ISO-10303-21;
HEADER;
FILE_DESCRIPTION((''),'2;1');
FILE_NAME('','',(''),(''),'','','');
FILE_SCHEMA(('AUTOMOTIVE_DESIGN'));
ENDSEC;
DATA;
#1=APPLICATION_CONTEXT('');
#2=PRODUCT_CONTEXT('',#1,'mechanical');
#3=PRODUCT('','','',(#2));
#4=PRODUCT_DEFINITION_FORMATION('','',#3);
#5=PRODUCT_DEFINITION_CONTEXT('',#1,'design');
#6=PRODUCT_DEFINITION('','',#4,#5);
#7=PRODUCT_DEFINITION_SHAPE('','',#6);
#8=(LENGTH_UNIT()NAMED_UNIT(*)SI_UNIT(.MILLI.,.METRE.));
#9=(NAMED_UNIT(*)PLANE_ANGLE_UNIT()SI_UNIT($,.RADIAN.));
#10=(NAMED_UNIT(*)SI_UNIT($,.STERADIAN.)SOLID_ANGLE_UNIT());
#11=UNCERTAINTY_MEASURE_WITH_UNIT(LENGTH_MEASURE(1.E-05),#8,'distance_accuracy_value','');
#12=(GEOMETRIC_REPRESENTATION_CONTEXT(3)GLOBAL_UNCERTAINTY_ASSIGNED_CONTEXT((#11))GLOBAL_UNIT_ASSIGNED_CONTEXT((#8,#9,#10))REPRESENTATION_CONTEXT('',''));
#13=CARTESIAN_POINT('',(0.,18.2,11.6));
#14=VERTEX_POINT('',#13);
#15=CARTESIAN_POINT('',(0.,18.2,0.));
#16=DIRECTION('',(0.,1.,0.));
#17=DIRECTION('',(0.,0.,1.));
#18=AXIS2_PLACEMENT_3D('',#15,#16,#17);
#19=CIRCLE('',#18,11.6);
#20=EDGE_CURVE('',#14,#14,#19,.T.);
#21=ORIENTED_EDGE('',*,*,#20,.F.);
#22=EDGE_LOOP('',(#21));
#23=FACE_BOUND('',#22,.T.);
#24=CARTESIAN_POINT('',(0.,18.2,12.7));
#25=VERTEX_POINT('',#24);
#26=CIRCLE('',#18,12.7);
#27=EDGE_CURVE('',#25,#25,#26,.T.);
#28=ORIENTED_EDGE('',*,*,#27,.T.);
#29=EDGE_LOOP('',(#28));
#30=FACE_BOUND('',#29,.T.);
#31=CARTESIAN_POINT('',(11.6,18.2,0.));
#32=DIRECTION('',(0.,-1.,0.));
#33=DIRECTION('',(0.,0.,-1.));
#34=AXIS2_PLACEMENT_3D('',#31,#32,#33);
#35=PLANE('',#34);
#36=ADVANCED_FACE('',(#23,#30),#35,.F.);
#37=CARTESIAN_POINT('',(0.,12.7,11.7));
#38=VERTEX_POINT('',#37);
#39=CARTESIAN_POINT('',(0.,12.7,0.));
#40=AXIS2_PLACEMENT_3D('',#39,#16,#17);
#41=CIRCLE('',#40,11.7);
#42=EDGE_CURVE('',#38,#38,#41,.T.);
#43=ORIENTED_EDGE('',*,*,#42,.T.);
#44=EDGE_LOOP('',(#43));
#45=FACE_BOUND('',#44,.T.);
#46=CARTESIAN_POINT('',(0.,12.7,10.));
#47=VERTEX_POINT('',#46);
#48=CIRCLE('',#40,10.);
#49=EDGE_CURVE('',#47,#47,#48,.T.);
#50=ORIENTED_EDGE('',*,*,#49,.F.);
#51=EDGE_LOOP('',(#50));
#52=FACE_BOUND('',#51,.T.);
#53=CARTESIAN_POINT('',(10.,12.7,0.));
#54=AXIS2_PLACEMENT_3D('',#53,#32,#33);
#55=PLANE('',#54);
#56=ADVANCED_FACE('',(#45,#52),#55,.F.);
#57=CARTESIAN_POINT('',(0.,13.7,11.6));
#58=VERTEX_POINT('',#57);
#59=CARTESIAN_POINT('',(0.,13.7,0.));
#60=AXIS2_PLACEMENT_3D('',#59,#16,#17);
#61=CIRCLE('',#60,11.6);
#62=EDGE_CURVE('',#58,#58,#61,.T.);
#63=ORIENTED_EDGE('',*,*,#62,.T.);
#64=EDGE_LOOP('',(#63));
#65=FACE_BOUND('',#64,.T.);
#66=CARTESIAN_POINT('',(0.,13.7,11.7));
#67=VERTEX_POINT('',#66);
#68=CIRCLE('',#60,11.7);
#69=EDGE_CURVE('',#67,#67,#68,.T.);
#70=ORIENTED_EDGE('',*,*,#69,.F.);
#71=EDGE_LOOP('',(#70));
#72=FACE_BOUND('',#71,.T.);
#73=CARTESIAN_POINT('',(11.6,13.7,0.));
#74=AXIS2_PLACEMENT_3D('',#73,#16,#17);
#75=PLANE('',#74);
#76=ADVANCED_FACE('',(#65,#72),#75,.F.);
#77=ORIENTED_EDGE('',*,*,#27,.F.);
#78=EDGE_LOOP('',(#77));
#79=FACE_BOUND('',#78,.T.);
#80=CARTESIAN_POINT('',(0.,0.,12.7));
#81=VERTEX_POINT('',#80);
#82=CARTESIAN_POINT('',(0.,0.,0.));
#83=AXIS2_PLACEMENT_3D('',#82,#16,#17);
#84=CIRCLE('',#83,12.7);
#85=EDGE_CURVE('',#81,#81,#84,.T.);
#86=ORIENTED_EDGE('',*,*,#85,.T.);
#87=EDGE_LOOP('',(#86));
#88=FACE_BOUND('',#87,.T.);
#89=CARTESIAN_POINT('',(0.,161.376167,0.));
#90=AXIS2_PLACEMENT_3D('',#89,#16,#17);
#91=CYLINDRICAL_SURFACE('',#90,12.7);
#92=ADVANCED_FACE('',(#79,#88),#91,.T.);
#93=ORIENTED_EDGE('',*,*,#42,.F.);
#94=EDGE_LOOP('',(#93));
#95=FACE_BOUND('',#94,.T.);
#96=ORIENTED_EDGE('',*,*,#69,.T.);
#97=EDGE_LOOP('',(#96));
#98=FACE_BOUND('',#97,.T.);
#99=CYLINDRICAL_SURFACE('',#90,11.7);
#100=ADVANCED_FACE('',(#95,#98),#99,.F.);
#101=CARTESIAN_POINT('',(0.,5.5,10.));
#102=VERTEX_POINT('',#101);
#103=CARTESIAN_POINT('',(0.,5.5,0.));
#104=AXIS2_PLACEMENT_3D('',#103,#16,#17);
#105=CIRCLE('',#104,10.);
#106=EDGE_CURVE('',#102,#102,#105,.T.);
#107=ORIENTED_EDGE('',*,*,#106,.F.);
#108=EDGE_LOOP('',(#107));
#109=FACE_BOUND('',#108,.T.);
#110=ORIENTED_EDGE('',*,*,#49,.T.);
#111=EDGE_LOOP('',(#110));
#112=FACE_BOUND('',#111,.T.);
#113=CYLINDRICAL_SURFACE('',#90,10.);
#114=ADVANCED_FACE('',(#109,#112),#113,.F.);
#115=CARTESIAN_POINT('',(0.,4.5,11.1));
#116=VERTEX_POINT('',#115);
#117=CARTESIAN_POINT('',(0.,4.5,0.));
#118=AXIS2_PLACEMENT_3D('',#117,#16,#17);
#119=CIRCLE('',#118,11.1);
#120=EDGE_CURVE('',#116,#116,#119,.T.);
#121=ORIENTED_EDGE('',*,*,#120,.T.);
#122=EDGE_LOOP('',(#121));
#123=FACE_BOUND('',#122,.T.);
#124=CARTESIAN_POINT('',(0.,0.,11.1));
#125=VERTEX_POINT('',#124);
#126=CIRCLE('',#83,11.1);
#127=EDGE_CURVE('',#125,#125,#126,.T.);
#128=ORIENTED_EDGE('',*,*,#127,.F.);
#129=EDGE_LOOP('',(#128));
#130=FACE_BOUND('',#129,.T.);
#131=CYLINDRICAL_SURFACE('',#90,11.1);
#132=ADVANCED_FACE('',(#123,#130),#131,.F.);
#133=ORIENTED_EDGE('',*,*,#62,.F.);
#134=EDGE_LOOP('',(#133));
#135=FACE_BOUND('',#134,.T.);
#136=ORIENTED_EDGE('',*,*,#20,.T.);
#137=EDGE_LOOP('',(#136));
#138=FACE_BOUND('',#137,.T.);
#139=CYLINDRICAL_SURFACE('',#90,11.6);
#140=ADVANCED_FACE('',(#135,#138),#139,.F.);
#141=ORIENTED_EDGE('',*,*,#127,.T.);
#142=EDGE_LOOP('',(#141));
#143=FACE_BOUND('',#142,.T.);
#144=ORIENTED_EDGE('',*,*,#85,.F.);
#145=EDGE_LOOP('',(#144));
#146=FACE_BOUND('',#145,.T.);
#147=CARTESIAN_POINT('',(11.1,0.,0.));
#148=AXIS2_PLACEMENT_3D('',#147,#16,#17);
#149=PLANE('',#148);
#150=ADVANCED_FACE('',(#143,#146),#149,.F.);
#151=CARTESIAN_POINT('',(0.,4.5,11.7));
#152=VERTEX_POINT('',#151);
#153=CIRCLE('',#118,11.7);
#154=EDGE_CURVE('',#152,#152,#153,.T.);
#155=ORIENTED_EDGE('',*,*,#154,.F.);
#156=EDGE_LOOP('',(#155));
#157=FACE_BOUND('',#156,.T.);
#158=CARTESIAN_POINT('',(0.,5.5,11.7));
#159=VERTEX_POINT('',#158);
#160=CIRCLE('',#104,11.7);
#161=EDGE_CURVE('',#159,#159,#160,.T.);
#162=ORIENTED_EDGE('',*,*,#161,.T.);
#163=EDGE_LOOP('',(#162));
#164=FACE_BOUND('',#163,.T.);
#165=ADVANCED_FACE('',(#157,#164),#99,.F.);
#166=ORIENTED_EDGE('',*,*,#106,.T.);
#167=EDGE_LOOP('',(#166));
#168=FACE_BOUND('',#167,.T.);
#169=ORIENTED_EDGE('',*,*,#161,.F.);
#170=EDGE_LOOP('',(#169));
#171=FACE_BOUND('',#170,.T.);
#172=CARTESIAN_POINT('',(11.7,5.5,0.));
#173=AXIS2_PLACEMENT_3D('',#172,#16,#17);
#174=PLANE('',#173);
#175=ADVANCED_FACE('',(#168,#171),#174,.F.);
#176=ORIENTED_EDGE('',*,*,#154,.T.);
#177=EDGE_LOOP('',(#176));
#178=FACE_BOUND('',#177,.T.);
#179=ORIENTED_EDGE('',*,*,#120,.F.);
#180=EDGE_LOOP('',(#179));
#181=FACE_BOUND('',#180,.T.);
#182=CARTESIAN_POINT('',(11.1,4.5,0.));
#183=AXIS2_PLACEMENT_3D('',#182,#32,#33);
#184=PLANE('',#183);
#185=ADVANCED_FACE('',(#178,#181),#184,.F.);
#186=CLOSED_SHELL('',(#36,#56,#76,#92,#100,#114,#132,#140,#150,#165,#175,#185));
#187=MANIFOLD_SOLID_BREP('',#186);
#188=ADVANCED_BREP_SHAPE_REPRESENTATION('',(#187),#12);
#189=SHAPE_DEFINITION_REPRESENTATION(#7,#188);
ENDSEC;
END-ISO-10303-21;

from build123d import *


with BuildPart() as part:
    # 草图1 → 旋转1 (revolve)
    with BuildSketch(Plane.XY, mode=Mode.PRIVATE) as revolve_1_sk:
        Polygon((11.1, 0), (11.1, 4.5), (11.7, 4.5), (11.7, 5.5), (10, 5.5), (10, 12.7), (11.7, 12.7), (11.7, 13.7), (11.6, 13.7), (11.6, 18.2), (12.7, 18.2), (12.7, 0), align=None)
    revolve(revolve_1_sk.sketch.rotate(Axis((0, 161.376166943, 0), (0, -1, 0)), 90), axis=Axis((0, 161.376166943, 0), (0, -1, 0)))  # turned: the seam where the file's is


solid = part.part
